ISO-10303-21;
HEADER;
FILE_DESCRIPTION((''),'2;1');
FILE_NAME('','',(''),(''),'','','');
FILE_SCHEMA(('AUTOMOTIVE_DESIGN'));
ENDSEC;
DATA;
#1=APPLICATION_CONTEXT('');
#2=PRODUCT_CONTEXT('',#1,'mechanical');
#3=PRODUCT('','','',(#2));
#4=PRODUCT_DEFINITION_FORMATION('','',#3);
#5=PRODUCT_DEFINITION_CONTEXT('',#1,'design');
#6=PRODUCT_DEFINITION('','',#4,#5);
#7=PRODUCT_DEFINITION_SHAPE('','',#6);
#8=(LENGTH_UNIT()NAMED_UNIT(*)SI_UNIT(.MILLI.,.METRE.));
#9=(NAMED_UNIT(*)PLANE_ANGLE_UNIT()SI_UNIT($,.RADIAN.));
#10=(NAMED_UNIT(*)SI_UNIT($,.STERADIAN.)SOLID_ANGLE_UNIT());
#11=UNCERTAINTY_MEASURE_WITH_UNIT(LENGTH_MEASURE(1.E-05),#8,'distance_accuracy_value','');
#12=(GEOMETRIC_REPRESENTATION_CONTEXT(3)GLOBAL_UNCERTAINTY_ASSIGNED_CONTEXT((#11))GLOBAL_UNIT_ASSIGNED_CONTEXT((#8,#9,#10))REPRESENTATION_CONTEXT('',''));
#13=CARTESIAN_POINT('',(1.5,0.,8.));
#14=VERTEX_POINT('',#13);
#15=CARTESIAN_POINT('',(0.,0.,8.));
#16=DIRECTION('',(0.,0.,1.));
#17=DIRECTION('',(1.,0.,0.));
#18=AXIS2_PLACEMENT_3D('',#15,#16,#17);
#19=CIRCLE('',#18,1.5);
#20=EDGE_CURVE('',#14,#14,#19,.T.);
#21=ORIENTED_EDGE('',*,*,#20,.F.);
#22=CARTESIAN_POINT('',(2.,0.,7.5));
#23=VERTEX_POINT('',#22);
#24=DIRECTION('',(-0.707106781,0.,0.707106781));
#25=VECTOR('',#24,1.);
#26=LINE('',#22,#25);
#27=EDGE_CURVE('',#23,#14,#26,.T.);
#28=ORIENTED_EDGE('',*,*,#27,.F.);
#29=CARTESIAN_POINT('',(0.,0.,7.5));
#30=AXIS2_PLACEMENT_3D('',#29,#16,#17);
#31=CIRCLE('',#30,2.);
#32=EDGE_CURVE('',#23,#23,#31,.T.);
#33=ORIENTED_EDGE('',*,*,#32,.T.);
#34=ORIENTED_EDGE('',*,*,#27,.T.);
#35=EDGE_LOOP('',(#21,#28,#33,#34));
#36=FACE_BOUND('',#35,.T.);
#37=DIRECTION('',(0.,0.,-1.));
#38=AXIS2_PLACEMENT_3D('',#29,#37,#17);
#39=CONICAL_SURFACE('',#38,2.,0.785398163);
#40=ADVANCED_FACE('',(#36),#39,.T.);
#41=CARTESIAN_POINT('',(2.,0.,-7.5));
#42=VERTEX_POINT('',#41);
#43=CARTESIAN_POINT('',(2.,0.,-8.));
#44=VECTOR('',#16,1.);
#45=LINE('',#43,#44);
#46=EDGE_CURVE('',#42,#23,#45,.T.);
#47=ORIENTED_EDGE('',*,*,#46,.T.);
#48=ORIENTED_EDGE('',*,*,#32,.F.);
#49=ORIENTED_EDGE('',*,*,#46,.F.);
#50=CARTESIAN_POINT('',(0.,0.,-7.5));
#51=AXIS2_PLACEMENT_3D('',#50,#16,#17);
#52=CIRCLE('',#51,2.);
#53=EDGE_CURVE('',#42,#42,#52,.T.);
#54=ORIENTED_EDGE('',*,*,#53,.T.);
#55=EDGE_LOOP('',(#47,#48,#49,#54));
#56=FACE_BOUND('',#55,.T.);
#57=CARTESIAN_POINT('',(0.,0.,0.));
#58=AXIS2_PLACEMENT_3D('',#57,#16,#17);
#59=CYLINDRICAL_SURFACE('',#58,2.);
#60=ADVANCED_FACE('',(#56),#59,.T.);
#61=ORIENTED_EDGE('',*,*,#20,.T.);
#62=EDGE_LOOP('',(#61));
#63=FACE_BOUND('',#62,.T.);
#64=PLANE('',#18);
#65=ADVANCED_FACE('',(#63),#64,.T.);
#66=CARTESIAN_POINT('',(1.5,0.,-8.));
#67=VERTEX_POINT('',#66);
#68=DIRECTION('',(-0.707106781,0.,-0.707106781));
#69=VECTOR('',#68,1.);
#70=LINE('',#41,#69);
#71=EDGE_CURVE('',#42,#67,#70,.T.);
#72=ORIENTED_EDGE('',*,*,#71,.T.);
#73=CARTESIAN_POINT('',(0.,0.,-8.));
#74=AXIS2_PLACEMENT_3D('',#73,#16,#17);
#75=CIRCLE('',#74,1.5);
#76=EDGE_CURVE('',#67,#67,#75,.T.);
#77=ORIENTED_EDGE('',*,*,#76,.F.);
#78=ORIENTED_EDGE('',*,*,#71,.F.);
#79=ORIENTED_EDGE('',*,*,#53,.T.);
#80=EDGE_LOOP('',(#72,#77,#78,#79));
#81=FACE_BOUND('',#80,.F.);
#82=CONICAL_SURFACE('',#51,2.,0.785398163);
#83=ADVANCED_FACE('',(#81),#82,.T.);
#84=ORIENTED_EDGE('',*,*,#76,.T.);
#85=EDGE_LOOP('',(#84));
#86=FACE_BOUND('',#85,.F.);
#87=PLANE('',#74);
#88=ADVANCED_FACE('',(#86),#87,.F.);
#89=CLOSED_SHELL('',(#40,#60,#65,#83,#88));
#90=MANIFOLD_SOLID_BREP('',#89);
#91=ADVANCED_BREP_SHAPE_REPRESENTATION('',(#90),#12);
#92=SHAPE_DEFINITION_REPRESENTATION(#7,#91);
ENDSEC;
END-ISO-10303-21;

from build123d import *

# Parameters (mm, degrees)
F0_R     = 2
F1_DEPTH = 8
F2_SIZE  = 0.5


with BuildPart() as f1:
    # F0 (on Top) → F1 (new body, symmetric)
    with BuildSketch(Plane.XY):
        Circle(F0_R)
    extrude(amount=F1_DEPTH, both=True)

    # F2
    f2_edges = [f1.edges().sort_by_distance(p)[0] for p in [
        (-2, 0, 8),
        (-2, 0, -8),
    ]]
    chamfer(f2_edges, length=F2_SIZE)


solid = f1.part
